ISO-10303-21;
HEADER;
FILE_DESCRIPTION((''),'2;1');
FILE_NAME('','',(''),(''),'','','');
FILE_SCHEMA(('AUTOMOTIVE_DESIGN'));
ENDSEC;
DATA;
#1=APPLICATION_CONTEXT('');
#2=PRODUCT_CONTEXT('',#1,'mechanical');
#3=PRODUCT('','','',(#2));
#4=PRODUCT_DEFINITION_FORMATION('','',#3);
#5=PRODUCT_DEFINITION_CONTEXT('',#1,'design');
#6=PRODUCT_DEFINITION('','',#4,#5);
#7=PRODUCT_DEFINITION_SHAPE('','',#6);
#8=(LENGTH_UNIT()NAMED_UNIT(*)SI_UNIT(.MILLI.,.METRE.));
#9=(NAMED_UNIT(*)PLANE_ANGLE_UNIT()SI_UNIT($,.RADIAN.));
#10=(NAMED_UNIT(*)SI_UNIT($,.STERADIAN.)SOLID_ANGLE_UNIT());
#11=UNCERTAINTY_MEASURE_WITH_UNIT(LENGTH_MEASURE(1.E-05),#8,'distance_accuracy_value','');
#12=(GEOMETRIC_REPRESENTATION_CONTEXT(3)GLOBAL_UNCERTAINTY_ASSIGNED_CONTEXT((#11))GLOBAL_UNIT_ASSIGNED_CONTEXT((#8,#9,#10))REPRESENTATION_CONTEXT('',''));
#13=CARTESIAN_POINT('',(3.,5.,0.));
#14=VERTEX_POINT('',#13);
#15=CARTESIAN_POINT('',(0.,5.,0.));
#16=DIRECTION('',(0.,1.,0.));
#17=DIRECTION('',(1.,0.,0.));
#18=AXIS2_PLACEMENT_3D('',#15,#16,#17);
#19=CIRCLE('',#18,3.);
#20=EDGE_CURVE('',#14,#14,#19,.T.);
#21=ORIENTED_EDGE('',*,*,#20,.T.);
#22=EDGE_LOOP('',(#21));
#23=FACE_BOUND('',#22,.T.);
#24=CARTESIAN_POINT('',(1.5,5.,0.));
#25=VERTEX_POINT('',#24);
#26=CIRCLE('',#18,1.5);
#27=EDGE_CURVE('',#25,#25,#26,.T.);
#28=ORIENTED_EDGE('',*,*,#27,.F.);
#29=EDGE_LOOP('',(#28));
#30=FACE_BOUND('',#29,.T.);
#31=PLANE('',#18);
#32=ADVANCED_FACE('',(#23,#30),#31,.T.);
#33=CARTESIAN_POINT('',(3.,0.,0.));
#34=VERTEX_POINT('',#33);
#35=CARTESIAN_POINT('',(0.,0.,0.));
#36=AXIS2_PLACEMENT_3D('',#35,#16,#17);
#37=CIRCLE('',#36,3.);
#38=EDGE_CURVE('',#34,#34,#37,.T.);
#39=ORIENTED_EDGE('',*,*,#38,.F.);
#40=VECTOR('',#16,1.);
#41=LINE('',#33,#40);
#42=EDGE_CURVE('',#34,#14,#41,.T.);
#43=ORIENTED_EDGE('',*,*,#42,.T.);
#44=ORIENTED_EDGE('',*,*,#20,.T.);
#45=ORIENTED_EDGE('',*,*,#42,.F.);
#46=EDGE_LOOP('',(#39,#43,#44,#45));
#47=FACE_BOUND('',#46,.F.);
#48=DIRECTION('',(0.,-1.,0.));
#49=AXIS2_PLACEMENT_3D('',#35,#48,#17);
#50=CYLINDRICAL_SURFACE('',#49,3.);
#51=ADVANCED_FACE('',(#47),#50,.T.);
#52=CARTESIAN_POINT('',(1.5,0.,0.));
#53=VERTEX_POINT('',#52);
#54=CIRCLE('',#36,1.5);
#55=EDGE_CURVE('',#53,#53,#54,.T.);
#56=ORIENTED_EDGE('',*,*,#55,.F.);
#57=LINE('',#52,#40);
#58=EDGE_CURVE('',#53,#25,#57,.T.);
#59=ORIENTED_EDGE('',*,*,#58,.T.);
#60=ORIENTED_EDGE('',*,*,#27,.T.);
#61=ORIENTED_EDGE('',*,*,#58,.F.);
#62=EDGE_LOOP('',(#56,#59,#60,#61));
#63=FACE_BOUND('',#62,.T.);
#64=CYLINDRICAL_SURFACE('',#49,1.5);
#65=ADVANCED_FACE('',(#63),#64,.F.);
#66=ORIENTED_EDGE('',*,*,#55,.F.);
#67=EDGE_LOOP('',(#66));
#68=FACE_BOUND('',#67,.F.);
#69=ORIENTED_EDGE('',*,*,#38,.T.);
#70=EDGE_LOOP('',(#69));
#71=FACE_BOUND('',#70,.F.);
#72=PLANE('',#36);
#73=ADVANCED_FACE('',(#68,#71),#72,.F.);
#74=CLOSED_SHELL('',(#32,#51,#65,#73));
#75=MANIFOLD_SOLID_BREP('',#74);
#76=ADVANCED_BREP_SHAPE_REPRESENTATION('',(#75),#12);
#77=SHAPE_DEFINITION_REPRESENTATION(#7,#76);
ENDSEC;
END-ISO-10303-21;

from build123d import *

# Parameters (mm, degrees)
SKETCH1_R           = 3
SKETCH1_R_2         = 1.5
BOSS_EXTRUDE1_DEPTH = 5


with BuildPart() as part:
    # Sketch1 → Boss-Extrude1 (new body)
    with BuildSketch(Plane(origin=(0, 0, 0), x_dir=(1, 0, 0), z_dir=(0, 1, 0))):
        Circle(SKETCH1_R)
        Circle(SKETCH1_R_2, mode=Mode.SUBTRACT)
    extrude(amount=BOSS_EXTRUDE1_DEPTH)


solid = part.part
